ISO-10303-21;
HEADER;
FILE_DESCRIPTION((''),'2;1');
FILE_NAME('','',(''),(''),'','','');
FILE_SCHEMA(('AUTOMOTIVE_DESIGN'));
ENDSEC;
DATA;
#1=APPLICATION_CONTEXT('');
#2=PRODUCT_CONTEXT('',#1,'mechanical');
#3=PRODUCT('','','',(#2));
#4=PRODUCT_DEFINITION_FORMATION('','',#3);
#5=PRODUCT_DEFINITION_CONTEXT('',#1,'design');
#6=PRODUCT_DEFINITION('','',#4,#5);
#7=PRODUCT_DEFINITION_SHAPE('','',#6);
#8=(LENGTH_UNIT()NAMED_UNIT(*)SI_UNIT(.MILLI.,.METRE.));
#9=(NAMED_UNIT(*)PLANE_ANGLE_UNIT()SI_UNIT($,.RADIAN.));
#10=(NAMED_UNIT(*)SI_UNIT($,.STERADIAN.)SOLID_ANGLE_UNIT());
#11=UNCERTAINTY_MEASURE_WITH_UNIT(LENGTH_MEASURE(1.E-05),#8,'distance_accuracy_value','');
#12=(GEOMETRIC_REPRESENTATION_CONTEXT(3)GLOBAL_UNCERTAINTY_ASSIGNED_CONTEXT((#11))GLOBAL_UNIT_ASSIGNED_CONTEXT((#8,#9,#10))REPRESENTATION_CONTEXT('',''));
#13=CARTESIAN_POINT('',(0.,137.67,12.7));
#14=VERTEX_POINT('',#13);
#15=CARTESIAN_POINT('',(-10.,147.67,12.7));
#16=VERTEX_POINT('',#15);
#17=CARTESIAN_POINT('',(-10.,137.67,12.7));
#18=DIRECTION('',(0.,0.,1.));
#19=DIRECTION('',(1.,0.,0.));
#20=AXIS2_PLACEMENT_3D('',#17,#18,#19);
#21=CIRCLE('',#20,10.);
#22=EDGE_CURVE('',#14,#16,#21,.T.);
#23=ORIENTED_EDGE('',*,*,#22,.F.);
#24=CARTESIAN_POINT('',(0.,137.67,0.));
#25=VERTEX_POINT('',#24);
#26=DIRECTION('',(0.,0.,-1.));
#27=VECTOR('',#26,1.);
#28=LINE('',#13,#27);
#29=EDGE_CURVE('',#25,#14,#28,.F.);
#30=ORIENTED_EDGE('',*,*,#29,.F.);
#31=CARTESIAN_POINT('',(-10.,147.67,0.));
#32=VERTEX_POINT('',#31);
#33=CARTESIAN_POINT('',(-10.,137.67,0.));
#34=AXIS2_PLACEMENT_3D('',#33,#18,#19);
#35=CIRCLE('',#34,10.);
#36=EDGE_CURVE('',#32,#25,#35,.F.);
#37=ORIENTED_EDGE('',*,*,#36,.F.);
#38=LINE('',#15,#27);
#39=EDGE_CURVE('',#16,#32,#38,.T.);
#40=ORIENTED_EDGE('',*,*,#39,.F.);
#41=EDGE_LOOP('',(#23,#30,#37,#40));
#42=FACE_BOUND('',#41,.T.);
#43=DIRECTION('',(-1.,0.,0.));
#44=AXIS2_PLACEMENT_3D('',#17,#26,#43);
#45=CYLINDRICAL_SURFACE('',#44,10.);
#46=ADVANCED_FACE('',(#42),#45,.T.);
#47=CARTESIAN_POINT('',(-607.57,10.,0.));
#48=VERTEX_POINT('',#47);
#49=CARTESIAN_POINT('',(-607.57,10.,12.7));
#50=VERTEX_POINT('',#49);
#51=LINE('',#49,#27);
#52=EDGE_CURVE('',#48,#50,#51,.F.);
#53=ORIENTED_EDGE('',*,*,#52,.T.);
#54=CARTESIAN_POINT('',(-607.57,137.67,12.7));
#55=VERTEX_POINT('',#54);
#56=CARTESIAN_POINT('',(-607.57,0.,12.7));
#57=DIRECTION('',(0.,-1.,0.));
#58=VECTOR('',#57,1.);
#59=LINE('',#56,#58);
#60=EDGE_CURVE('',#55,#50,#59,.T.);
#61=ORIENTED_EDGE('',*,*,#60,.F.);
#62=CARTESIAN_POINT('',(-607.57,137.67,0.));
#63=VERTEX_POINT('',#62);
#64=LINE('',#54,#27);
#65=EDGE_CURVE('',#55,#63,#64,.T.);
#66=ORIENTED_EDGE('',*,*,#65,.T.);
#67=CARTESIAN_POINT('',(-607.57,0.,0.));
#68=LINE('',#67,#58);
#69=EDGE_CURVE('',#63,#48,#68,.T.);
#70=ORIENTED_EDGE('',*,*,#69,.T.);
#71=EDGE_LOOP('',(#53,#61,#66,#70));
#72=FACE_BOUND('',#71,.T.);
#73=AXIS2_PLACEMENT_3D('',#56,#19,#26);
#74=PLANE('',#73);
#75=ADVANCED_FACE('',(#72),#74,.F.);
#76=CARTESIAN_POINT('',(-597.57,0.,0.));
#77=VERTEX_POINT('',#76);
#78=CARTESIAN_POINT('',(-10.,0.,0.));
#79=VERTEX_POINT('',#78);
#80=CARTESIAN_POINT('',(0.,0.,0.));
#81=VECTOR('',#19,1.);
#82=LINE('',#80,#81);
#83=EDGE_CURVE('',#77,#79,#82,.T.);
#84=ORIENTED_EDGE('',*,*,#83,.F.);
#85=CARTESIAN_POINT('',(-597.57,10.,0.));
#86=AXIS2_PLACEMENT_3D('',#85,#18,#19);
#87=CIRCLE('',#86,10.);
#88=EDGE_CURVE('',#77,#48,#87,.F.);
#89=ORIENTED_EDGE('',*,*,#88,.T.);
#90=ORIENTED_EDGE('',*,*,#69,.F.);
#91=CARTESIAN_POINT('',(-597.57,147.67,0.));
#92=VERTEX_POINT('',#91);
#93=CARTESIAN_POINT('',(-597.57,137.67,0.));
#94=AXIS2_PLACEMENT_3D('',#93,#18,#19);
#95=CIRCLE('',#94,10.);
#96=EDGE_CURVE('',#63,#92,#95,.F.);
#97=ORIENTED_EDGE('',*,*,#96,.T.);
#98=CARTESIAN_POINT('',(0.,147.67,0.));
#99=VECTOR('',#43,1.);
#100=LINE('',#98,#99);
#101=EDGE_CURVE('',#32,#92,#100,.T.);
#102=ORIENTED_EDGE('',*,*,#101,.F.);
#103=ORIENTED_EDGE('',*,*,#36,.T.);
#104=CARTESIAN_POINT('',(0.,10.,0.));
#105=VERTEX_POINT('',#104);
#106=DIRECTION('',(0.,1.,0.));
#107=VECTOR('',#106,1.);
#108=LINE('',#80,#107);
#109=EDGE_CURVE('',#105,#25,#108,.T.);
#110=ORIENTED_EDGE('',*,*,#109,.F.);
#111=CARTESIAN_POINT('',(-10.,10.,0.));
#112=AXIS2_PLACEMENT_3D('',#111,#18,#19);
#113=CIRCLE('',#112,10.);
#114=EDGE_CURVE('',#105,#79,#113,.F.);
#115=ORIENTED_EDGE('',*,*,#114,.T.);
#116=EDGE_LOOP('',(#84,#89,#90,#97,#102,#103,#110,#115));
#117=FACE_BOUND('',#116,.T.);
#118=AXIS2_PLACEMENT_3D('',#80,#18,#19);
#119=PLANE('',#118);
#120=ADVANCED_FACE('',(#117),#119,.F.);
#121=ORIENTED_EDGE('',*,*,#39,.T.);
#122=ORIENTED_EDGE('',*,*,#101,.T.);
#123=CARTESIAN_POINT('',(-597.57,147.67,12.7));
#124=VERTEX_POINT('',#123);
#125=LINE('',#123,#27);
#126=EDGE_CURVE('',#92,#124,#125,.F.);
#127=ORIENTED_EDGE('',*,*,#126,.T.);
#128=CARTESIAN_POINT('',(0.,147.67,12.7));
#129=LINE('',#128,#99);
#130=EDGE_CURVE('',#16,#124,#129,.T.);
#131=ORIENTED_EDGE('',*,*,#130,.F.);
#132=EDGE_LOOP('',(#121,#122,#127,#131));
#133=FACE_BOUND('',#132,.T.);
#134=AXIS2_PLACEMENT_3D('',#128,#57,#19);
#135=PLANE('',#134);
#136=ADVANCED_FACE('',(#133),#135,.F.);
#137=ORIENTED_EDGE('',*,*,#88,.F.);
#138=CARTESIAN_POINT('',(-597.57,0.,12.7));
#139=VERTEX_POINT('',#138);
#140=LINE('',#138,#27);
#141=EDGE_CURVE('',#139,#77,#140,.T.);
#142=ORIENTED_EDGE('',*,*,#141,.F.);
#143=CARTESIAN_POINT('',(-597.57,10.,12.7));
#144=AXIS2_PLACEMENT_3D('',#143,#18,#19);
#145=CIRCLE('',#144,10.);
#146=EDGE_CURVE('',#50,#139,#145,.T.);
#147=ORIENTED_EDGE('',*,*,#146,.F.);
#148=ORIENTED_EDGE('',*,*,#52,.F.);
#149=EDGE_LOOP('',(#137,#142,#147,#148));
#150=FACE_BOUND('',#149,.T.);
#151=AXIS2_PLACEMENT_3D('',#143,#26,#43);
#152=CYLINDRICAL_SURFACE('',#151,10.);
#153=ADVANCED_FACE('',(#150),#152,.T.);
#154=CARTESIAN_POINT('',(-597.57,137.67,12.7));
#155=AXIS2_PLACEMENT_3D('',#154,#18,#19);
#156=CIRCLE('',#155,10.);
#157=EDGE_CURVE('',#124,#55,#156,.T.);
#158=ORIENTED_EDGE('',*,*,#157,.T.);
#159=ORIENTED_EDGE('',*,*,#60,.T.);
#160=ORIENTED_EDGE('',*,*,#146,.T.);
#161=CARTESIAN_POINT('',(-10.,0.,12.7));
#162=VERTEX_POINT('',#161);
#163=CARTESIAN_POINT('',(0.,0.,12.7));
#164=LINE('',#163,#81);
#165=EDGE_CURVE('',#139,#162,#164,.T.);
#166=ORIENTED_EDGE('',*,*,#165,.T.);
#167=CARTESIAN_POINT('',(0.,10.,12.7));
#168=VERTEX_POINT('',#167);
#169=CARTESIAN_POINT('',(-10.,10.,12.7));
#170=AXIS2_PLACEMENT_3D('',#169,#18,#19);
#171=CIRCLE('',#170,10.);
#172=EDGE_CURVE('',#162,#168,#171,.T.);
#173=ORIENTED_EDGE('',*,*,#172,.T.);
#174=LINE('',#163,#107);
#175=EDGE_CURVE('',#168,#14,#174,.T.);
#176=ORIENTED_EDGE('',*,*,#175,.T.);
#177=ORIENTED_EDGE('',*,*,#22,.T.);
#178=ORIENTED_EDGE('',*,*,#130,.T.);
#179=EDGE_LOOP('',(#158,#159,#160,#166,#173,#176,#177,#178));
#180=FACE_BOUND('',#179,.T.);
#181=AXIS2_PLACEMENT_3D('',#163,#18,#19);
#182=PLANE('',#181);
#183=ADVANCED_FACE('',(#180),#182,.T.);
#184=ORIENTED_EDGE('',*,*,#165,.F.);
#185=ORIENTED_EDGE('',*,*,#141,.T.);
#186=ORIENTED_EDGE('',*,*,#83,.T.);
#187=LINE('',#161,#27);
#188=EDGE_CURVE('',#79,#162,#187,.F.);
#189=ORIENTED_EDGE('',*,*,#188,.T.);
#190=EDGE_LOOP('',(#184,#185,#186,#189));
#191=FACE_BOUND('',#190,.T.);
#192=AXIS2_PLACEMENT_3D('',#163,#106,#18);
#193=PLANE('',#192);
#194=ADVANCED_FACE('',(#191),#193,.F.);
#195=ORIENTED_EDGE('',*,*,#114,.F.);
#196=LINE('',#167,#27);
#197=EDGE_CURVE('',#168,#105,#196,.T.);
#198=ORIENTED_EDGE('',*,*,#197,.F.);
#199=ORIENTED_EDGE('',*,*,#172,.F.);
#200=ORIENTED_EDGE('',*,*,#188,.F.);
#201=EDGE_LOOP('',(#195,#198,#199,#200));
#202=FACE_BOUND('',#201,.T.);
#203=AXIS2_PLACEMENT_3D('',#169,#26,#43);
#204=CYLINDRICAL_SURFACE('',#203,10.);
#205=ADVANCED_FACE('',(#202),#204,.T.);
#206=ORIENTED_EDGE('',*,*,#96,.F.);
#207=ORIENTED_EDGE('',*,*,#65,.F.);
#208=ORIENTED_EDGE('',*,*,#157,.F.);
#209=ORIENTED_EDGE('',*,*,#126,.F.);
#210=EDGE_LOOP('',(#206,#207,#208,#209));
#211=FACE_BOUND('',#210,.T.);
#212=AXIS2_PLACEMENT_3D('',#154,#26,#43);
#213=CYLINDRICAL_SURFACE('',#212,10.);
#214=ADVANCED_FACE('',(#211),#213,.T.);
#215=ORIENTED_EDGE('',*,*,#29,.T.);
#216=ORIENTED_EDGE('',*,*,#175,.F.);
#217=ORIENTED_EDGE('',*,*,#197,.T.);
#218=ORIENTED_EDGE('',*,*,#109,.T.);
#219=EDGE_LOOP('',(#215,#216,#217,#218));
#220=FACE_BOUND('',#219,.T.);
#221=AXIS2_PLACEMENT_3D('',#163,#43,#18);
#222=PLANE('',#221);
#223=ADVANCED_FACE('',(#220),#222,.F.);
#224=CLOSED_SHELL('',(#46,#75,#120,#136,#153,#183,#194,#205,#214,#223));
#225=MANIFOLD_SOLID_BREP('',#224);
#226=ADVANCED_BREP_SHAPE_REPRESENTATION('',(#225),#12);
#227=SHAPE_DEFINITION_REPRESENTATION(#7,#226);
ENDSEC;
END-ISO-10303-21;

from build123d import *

# Parameters (mm, degrees)
SKETCH2_W           = 607.57
SKETCH2_H           = 147.67
BOSS_EXTRUDE1_DEPTH = 12.7
FILLET1_R           = 10


with BuildPart() as part:
    # Sketch2 → Boss-Extrude1 (new body)
    with BuildSketch(Plane.XY):
        with Locations((-303.785, 73.835)):
            Rectangle(SKETCH2_W, SKETCH2_H)
    extrude(amount=BOSS_EXTRUDE1_DEPTH)

    # Fillet1
    fillet1_edges = [part.edges().sort_by_distance(p)[0] for p in [
        (0, 0, 6.35),
        (-607.57, 0, 6.35),
        (-607.57, 147.67, 6.35),
        (0, 147.67, 6.35),
    ]]
    fillet(fillet1_edges, radius=FILLET1_R)


solid = part.part
